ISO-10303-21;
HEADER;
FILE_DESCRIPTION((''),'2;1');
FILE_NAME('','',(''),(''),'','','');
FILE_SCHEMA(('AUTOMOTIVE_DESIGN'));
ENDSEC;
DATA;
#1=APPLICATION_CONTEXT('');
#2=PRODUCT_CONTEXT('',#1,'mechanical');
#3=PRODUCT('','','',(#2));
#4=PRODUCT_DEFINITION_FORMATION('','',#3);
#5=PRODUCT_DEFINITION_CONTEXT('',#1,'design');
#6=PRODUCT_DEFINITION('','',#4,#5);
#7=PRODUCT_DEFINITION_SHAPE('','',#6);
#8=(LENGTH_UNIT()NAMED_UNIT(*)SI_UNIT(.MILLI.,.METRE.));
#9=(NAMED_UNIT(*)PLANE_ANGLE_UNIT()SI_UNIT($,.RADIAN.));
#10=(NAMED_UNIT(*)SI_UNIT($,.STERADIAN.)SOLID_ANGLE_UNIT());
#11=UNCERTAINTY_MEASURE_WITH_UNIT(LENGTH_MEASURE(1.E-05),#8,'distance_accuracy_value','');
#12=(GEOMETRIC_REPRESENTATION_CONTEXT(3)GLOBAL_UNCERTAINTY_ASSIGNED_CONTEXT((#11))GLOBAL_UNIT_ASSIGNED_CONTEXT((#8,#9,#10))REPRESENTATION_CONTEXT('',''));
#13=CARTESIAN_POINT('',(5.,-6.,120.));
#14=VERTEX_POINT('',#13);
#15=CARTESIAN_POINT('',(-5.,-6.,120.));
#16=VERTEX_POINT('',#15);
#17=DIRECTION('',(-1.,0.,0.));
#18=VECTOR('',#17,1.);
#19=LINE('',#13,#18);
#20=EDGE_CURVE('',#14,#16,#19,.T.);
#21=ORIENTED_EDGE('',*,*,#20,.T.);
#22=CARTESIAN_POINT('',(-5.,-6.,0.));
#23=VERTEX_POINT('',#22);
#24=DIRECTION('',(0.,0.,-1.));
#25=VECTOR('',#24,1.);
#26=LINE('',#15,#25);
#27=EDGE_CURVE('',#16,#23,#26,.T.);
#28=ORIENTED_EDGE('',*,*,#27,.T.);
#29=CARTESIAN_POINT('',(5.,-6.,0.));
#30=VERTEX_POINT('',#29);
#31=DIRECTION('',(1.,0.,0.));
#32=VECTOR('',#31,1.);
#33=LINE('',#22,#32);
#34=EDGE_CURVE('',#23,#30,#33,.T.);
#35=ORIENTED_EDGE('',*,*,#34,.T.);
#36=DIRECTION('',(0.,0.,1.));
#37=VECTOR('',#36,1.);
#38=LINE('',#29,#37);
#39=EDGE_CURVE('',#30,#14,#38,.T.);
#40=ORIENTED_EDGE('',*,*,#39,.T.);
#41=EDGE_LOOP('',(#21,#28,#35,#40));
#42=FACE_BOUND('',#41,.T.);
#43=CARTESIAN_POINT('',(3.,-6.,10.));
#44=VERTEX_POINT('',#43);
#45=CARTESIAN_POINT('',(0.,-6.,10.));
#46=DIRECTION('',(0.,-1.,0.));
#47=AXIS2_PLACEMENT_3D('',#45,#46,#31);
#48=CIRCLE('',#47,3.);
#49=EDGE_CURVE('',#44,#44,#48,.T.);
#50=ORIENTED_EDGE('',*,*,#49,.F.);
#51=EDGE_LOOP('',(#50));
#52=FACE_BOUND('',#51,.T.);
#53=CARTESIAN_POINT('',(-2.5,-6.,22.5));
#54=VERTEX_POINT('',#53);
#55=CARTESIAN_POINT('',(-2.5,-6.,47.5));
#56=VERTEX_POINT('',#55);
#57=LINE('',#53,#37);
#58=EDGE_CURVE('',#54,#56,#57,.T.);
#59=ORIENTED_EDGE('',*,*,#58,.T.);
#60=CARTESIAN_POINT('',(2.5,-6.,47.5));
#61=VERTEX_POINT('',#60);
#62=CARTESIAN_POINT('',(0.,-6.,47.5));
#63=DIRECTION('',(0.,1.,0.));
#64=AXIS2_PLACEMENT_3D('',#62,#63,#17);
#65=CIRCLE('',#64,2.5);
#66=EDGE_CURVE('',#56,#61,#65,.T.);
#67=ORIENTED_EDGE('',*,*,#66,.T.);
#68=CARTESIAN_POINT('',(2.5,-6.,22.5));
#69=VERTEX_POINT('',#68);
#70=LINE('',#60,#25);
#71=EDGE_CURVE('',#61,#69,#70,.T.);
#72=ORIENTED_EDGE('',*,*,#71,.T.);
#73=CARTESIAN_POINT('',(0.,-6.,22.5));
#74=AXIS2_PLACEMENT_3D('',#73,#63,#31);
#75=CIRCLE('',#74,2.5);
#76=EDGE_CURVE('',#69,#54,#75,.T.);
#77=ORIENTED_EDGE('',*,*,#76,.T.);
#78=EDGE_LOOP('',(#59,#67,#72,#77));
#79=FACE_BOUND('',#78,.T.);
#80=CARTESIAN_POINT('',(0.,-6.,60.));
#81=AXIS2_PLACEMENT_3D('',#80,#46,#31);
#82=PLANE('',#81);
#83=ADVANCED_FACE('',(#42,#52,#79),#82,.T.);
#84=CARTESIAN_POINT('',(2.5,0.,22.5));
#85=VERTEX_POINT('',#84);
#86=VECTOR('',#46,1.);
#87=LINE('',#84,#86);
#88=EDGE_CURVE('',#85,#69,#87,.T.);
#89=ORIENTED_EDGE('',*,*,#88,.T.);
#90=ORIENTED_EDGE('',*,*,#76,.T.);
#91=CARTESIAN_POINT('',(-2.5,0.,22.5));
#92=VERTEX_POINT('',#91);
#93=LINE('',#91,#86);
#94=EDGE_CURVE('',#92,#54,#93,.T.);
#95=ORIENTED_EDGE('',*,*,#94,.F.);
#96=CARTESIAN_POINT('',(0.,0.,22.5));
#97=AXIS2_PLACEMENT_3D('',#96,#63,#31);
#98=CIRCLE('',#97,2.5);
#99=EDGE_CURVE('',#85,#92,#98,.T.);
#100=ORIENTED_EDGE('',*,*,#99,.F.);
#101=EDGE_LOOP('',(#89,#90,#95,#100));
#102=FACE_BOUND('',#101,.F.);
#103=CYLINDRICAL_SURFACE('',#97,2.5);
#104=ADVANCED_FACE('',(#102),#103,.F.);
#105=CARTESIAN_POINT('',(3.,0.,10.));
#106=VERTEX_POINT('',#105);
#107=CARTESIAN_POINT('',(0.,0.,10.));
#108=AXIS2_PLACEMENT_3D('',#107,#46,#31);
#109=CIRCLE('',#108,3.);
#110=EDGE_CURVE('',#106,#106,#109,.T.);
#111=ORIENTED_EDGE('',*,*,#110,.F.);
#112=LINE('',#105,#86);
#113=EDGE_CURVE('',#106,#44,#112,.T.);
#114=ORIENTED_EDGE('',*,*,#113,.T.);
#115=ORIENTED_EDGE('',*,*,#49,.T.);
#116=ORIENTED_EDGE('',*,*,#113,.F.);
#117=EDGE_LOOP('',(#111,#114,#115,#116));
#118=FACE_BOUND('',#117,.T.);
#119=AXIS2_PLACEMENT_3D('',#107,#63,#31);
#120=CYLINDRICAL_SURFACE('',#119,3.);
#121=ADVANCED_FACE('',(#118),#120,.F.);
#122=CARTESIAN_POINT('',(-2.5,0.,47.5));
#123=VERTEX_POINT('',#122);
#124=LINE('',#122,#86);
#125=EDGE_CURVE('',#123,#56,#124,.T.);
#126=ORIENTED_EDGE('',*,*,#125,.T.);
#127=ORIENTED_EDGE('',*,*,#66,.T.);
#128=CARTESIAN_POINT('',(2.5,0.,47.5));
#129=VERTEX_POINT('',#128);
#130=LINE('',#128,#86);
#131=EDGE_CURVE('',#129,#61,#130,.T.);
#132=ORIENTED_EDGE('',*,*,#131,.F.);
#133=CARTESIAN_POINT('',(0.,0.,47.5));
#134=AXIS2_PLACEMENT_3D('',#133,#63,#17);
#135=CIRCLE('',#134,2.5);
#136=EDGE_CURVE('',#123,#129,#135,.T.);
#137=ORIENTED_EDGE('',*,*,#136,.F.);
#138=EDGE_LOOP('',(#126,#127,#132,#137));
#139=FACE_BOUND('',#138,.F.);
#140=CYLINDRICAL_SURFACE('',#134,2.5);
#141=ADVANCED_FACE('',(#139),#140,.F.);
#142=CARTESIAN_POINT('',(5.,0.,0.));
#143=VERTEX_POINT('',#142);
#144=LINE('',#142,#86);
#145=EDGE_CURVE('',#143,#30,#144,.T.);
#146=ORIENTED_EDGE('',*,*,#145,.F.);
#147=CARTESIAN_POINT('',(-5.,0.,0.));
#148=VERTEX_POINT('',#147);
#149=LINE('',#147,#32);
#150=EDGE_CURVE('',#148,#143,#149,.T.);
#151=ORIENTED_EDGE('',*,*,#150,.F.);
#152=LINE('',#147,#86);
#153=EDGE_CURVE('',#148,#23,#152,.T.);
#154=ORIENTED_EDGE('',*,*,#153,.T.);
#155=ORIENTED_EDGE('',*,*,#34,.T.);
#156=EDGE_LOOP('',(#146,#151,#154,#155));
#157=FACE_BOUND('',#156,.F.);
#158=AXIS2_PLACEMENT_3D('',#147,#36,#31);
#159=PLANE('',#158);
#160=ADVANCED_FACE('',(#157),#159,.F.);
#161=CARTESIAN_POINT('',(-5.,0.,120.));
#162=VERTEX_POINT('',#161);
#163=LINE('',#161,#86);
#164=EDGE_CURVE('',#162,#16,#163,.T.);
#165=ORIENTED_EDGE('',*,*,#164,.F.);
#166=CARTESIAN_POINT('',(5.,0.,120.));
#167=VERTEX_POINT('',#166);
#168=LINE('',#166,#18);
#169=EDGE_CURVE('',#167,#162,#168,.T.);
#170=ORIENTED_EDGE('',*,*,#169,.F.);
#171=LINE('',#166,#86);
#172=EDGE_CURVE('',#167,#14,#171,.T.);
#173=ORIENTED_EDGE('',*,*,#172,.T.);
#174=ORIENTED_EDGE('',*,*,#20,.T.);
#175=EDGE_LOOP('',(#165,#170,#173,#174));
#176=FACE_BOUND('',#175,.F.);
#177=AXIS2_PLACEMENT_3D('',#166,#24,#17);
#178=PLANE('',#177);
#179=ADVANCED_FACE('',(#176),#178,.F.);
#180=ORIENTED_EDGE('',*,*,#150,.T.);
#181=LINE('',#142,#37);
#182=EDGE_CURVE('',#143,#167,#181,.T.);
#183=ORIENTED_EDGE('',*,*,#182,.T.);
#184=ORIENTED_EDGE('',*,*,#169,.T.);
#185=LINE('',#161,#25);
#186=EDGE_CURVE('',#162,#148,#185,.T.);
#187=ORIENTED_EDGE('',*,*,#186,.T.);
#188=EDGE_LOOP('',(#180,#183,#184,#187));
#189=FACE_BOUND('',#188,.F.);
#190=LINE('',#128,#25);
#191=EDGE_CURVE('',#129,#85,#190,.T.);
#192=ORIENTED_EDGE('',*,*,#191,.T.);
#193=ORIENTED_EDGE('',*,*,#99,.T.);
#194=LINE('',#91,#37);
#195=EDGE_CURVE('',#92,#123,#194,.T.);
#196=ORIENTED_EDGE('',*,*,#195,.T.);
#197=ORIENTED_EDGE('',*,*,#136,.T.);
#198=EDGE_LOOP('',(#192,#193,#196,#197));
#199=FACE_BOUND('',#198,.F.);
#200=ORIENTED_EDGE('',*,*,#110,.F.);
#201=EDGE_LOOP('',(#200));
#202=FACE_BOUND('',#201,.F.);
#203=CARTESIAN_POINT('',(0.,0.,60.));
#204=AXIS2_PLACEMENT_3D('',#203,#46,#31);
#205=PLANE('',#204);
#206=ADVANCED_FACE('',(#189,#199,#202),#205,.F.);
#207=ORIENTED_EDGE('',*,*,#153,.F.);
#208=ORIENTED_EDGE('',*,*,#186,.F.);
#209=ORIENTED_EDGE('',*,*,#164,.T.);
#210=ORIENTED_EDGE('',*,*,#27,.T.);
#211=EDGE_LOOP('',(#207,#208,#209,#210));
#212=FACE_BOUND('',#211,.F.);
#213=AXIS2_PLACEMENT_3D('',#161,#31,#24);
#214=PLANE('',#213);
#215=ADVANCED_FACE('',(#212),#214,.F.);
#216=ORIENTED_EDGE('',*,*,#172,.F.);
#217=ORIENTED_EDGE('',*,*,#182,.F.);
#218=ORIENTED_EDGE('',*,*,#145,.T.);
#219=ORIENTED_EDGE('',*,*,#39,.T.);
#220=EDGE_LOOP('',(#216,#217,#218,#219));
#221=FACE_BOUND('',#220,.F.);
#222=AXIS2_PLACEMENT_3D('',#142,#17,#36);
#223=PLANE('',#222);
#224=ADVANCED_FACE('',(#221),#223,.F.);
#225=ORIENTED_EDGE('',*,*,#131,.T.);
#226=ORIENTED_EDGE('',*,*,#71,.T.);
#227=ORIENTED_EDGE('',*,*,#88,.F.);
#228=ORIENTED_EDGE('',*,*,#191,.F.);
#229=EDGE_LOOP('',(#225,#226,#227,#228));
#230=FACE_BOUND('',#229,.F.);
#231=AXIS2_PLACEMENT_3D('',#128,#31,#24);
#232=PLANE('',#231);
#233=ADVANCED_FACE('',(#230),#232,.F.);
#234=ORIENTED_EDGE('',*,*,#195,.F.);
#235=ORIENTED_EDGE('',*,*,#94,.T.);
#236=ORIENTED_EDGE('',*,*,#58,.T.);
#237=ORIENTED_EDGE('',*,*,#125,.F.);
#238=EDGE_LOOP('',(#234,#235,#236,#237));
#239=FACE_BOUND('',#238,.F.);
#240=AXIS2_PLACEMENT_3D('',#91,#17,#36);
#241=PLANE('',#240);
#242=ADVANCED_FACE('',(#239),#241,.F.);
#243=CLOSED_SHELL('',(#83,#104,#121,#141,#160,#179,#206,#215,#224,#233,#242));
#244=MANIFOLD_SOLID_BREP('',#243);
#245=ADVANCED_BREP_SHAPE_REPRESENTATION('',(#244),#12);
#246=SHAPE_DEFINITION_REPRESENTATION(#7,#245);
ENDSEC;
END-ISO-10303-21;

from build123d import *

# Parameters (mm, degrees)
F0_R     = 3
F1_DEPTH = 6


with BuildPart() as f1:
    # F0 (on Front) → F1 (new body)
    with BuildSketch(Plane.XZ):
        Polygon((-5, 0), (0, 0), (5, 0), (5, 120), (0, 120), (-5, 120), align=None)
        with Locations((0, 10)):
            Circle(F0_R, mode=Mode.SUBTRACT)
        with BuildLine():
            ThreePointArc((-2.5, 47.5), (0, 50), (2.5, 47.5))
            Line((2.5, 47.5), (2.5, 22.5))
            ThreePointArc((2.5, 22.5), (0, 20), (-2.5, 22.5))
            Line((-2.5, 22.5), (-2.5, 47.5))
        make_face(mode=Mode.SUBTRACT)
    extrude(amount=F1_DEPTH)


solid = f1.part
